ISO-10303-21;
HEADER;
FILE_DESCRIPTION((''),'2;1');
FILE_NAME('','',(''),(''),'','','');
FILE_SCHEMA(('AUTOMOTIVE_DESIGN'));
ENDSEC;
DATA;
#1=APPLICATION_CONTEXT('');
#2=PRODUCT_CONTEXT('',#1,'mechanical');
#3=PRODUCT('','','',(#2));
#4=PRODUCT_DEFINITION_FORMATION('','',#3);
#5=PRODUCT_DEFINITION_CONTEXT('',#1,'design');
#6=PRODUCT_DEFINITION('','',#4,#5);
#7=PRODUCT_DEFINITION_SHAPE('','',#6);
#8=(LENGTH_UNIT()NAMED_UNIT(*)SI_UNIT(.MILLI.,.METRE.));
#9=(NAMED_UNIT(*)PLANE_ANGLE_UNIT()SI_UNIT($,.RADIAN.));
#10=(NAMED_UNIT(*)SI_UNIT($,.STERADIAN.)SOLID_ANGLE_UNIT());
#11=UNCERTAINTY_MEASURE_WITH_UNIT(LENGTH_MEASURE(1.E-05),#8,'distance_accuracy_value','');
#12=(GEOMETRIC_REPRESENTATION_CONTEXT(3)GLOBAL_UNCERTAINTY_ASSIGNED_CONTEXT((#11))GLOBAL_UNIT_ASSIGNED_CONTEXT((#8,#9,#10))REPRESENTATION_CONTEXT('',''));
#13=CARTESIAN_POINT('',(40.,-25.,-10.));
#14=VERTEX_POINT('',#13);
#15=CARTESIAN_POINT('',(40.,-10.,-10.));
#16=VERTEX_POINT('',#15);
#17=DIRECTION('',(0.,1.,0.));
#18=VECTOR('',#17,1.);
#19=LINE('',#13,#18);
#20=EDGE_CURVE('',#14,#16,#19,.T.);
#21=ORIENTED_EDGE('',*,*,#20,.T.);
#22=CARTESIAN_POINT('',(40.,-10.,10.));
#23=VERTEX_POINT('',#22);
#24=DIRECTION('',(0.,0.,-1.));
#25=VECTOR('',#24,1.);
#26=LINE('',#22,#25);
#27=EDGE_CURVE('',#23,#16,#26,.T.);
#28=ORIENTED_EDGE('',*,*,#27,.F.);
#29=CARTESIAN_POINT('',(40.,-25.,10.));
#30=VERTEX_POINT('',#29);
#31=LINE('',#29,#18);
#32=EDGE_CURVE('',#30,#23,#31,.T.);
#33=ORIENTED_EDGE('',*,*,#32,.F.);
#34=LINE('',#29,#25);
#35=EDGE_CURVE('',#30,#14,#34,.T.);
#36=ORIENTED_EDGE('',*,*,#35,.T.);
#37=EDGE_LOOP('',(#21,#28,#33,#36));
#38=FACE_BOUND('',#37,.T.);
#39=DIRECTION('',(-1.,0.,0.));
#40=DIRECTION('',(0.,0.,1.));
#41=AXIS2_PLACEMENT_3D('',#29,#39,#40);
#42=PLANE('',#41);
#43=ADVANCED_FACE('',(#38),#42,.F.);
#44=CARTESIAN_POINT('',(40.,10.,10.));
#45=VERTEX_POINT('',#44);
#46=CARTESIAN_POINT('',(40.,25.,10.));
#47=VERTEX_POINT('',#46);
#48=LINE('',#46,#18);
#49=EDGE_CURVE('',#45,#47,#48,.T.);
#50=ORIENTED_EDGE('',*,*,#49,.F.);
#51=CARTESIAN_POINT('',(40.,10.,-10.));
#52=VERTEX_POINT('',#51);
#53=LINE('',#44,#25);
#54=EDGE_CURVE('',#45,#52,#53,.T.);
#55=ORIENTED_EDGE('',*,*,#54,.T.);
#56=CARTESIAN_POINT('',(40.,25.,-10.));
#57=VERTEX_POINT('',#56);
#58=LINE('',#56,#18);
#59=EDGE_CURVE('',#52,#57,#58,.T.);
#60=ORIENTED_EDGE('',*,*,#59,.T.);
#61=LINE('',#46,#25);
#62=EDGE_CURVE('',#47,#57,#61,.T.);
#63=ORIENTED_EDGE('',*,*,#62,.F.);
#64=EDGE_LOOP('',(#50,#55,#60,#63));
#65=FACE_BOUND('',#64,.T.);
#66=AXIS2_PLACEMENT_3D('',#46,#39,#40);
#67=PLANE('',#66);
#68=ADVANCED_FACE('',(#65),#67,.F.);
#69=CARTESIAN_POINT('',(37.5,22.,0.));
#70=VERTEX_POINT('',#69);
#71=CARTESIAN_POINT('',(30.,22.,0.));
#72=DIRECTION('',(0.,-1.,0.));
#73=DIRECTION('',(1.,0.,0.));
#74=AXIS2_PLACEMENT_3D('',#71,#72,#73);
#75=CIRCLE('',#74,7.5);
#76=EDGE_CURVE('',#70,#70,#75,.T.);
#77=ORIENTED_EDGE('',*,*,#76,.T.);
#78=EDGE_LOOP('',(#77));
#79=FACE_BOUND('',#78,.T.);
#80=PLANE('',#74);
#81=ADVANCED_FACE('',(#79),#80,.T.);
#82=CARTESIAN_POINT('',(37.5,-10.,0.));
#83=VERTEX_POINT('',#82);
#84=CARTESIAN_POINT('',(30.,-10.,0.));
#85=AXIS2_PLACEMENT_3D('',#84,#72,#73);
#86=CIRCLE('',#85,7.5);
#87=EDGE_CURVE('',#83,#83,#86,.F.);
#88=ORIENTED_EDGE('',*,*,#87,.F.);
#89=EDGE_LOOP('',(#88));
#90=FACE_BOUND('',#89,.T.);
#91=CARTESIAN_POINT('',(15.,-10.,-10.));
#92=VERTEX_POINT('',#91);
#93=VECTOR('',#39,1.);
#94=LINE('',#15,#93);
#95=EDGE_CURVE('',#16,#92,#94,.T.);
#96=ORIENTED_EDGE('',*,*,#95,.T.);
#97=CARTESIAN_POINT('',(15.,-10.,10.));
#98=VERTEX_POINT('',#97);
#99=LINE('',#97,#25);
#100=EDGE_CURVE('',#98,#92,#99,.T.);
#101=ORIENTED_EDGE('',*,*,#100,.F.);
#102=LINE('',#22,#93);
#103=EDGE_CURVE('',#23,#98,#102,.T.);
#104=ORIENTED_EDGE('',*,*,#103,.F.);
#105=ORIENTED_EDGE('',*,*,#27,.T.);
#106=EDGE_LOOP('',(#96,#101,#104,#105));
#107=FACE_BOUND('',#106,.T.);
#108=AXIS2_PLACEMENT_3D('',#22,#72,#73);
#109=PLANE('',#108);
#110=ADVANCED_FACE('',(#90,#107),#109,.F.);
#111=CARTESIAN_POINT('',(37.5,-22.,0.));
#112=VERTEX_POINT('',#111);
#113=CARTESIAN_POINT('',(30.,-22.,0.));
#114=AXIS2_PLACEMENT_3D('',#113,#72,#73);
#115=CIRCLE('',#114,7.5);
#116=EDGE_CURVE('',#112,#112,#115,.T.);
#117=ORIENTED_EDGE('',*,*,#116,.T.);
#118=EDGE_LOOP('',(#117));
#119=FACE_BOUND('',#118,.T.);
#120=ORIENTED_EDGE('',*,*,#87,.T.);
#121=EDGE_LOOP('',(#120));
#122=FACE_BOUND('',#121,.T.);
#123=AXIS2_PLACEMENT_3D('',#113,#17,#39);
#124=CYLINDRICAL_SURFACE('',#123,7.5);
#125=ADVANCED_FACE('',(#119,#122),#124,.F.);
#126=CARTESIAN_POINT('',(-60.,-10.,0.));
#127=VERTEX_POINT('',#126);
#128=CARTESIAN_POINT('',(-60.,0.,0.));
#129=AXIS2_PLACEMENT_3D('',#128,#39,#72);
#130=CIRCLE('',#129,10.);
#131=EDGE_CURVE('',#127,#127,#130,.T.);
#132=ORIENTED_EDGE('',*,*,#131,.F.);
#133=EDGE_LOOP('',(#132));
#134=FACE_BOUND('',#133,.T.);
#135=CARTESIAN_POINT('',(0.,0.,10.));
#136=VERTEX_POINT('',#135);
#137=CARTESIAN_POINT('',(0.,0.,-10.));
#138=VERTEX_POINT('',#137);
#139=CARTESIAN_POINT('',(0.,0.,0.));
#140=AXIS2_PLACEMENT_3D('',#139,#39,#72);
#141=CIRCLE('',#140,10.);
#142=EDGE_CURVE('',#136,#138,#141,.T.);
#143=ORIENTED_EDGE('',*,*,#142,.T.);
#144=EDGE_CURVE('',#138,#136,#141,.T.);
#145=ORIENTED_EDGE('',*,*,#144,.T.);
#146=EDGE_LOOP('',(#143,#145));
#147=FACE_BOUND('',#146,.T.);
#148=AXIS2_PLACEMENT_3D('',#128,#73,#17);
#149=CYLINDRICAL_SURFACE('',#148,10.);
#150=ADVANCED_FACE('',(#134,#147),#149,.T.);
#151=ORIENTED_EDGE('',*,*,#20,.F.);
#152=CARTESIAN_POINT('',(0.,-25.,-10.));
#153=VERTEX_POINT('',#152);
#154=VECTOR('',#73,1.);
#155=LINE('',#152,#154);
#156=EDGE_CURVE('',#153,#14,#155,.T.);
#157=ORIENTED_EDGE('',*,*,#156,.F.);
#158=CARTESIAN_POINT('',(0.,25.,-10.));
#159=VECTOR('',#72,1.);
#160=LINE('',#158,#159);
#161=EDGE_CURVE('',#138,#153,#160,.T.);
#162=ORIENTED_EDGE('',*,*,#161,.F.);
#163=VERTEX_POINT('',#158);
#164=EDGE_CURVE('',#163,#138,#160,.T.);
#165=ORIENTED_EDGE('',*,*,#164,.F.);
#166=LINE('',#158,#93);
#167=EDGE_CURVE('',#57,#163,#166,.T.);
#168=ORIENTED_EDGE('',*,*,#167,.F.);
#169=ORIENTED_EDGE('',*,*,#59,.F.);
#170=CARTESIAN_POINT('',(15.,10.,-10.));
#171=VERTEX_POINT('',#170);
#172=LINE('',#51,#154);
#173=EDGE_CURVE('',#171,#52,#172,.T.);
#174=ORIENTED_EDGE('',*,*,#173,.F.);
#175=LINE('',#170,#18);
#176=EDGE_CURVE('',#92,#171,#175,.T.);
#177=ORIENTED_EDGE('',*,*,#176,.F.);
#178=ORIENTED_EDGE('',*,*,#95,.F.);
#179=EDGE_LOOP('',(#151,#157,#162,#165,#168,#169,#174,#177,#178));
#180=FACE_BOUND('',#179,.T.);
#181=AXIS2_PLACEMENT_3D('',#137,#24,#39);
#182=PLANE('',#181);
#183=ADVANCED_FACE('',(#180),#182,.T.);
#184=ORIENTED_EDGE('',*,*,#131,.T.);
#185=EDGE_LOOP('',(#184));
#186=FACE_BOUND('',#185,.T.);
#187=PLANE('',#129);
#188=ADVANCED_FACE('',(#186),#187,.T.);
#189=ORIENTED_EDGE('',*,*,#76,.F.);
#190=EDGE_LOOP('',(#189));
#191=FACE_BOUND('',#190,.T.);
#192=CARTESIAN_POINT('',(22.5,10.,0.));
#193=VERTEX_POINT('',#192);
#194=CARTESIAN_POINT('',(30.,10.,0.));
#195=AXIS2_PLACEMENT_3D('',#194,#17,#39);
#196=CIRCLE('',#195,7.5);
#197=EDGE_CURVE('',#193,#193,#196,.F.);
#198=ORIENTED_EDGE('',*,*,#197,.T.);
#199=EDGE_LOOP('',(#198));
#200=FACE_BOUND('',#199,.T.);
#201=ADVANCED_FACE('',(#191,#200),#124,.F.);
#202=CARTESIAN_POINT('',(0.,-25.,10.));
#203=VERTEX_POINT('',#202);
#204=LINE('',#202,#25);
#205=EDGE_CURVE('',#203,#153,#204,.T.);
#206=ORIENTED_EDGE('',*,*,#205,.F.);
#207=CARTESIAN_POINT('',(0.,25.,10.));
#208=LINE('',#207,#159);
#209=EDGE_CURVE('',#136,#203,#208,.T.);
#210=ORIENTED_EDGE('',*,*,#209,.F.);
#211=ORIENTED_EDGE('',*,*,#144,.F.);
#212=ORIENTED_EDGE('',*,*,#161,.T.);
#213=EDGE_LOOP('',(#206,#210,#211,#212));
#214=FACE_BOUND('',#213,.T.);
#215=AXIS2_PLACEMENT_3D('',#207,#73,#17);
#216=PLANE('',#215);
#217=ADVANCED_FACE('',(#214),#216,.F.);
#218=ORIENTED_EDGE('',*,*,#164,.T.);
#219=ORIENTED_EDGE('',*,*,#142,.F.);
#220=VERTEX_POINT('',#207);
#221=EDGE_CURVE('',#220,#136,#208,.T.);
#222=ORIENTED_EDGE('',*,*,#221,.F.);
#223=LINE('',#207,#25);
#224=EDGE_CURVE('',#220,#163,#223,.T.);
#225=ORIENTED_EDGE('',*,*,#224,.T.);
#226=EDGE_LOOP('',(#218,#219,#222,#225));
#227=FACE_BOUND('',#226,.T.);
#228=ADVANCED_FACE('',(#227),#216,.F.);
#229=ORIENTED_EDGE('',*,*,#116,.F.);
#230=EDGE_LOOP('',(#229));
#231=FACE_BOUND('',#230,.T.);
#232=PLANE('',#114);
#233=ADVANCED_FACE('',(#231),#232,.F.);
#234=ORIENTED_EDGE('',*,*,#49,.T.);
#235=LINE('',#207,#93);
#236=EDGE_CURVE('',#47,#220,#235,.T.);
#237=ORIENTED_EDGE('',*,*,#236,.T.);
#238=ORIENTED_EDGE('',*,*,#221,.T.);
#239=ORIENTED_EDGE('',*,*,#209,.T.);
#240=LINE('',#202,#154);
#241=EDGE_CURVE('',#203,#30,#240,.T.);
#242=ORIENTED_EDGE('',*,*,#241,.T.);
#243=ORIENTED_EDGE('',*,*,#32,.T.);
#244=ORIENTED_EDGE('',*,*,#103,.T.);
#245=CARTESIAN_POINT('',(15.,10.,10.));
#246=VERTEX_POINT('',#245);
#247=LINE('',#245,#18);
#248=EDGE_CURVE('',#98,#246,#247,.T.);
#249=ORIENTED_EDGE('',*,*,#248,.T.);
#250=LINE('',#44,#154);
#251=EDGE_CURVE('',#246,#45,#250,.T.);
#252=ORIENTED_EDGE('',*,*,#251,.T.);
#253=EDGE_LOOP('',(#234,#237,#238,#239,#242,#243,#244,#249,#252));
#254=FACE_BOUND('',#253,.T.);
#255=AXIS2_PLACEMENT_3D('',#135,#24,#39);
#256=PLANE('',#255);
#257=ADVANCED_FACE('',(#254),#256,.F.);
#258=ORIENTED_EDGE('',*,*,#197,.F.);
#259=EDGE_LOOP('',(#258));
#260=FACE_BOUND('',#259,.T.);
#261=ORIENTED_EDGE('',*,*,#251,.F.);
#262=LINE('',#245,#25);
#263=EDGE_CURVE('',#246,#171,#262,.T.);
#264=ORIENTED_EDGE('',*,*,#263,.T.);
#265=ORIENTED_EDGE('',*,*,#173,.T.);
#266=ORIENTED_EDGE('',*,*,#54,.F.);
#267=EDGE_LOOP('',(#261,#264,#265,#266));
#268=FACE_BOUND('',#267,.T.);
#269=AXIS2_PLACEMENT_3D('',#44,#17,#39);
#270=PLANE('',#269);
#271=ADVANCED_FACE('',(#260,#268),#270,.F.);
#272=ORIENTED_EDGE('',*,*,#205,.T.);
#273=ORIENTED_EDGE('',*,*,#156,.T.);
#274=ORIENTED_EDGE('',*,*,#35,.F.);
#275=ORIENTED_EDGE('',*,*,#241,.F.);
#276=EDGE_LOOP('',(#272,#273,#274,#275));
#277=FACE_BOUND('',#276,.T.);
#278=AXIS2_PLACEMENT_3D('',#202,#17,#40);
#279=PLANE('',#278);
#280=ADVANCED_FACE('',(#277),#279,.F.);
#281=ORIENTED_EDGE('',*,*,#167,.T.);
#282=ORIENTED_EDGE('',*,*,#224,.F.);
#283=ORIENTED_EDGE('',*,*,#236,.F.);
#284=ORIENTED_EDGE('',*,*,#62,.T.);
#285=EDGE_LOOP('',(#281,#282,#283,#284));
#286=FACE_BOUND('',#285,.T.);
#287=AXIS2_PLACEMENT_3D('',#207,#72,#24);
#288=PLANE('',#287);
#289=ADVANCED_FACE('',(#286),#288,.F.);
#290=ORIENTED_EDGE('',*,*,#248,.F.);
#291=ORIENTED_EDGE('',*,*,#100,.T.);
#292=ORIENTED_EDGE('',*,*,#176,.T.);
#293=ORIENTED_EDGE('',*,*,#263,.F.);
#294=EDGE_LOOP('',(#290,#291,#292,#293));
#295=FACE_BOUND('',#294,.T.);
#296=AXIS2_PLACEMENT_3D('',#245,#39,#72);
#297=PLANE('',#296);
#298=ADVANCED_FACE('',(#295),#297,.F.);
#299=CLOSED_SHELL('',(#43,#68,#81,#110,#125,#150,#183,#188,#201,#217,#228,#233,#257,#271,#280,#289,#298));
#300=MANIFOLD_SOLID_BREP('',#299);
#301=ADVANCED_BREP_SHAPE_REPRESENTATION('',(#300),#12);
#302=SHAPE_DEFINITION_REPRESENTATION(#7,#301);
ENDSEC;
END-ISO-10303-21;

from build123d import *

# Parameters (mm, degrees)
BOSS_EXTRUDE1_DEPTH     = 10
SKETCH3_R               = 10
BOSS_EXTRUDE2_DEPTH     = 60
SKETCH4_R               = 7.5
CUT_EXTRUDE1_DEPTH      = 32
CUT_EXTRUDE1_DEPTH_BACK = 12


with BuildPart() as part:
    # Sketch2 → Boss-Extrude1 (new body, symmetric)
    with BuildSketch(Plane.XY):
        Polygon((0, 25), (0, -25), (40, -25), (40, -10), (15, -10), (15, 10), (40, 10), (40, 25), align=None)
    extrude(amount=BOSS_EXTRUDE1_DEPTH, both=True)

    # Sketch3 → Boss-Extrude2 (add)
    with BuildSketch(Plane.ZY):
        Circle(SKETCH3_R)
    extrude(amount=BOSS_EXTRUDE2_DEPTH)

    # Sketch4 → Cut-Extrude1 (cut, two sides)
    with BuildSketch(Plane.XZ.offset(-10)) as cut_extrude1_sk:
        with Locations((30, 0)):
            Circle(SKETCH4_R)
    extrude(amount=CUT_EXTRUDE1_DEPTH, mode=Mode.SUBTRACT)
    extrude(cut_extrude1_sk.sketch, amount=-CUT_EXTRUDE1_DEPTH_BACK, mode=Mode.SUBTRACT)


solid = part.part
